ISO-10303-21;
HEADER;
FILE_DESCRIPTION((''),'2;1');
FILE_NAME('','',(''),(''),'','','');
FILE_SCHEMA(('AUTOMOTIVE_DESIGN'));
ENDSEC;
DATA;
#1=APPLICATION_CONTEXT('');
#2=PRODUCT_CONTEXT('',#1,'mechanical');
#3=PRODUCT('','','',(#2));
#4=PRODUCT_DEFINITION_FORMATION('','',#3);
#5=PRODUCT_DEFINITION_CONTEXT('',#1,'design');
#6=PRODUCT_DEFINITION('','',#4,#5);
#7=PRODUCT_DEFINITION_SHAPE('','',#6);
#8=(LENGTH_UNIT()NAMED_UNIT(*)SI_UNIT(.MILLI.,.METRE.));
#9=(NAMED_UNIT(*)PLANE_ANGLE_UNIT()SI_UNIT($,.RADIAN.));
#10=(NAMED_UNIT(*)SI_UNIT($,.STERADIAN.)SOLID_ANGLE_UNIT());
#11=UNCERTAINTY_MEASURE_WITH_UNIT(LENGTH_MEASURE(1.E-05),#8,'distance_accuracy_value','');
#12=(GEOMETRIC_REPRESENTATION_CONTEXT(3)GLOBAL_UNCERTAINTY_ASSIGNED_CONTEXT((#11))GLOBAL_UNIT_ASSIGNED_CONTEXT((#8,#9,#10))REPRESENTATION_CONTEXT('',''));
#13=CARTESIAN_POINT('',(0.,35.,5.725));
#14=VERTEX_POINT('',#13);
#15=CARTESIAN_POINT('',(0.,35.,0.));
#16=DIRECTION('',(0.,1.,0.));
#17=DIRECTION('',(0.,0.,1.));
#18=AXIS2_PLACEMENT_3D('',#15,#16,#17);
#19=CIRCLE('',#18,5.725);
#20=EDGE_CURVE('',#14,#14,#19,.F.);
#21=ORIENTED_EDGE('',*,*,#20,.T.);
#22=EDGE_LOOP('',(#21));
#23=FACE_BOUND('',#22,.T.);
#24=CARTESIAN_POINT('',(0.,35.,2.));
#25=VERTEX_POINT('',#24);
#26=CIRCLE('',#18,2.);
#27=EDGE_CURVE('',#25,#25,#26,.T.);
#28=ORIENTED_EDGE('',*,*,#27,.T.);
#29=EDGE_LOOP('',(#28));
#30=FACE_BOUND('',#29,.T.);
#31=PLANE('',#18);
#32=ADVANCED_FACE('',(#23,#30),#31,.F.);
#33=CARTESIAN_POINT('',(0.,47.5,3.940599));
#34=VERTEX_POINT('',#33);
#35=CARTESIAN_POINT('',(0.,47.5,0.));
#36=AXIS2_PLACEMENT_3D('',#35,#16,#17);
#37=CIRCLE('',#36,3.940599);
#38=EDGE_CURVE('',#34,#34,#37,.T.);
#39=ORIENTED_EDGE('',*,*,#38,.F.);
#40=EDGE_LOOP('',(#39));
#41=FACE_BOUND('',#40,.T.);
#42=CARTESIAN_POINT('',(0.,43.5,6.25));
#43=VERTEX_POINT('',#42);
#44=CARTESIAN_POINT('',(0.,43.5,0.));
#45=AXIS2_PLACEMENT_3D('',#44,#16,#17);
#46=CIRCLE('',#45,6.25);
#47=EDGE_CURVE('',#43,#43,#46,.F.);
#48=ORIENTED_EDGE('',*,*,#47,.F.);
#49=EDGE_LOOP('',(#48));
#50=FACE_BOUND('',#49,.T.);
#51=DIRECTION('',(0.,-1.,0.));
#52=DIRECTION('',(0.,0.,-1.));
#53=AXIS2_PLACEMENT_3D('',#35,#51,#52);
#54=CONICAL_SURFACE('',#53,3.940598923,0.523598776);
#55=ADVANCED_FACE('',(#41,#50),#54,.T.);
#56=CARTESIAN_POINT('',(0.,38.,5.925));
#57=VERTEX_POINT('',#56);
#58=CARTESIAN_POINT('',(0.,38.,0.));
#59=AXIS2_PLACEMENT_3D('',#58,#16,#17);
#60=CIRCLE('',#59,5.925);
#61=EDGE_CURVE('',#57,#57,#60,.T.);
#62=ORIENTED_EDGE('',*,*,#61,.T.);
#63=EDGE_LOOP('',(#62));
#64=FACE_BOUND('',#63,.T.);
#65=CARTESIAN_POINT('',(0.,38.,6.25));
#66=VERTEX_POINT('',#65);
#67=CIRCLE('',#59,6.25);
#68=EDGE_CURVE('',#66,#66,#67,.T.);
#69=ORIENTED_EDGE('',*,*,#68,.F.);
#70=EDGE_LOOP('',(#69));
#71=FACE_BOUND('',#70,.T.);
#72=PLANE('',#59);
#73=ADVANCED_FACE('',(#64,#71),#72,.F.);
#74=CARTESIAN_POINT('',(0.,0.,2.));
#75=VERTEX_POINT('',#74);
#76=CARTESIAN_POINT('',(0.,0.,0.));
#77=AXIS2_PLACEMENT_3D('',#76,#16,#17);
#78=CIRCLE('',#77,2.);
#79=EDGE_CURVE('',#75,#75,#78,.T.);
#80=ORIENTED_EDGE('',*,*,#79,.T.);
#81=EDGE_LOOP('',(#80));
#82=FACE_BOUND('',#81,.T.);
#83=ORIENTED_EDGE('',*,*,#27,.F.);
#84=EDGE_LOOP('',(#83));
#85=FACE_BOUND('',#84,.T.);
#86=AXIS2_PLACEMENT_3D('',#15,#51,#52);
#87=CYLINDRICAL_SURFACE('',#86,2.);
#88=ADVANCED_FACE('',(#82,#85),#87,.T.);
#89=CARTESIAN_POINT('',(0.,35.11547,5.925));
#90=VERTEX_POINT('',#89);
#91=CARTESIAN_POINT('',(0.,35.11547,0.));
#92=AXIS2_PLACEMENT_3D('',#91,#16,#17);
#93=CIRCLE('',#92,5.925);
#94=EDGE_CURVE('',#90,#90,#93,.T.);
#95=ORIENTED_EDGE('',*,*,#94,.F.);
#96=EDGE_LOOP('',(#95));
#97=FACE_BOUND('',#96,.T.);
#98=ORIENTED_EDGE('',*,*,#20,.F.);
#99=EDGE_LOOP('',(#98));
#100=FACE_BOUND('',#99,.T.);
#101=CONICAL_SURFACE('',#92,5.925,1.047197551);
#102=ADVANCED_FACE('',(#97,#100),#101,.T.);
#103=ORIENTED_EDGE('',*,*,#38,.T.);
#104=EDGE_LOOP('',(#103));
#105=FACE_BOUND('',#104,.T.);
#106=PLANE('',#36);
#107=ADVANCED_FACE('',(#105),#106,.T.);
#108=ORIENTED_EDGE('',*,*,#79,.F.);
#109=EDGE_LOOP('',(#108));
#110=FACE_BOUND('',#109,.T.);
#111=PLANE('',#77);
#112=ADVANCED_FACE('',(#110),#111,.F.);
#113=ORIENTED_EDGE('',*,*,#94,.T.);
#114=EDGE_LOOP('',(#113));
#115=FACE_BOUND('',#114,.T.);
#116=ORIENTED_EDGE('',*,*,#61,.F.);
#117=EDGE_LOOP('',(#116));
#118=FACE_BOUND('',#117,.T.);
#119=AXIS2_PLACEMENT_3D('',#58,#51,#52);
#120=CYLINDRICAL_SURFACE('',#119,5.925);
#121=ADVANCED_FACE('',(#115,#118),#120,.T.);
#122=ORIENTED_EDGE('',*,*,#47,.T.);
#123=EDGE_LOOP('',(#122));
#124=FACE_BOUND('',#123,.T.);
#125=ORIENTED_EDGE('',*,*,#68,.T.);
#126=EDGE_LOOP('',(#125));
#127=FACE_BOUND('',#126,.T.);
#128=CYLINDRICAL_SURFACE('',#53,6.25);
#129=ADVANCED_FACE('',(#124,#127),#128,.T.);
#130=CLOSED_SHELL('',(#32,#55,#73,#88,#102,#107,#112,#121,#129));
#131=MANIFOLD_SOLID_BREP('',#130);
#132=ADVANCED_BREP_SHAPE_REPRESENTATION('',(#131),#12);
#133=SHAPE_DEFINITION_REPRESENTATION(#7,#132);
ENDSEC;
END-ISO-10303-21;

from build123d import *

# Parameters (mm, degrees)
SKETCH_1_R      = 2
EXTRUDE_1_DEPTH = 35
SKETCH_2_R      = 5.925
EXTRUDE_2_DEPTH = 3
SKETCH_3_R      = 6.25
EXTRUDE_3_DEPTH = 9.5
CHAMFER_1_SIZE  = 4
CHAMFER_1_SIZE2 = 2.309401077
CHAMFER_2_SIZE  = 0.2
CHAMFER_2_SIZE2 = 0.115470054


with BuildPart() as part:
    # 草图1 → 凸台-拉伸1 (new body)
    with BuildSketch(Plane(origin=(0, 0, 0), x_dir=(1, 0, 0), z_dir=(0, 1, 0))):
        with Locations(Location((0, 0, 0), (0, 0, 270))):
            Circle(SKETCH_1_R)
    extrude(amount=EXTRUDE_1_DEPTH)

    # 草图2 → 凸台-拉伸2 (add)
    with BuildSketch(Plane(origin=(0, 35, 0), x_dir=(1, 0, 0), z_dir=(0, 1, 0))):
        with Locations(Location((0, 0, 0), (0, 0, 270))):
            Circle(SKETCH_2_R)
    extrude(amount=EXTRUDE_2_DEPTH)

    # 草图3 → 凸台-拉伸3 (add)
    with BuildSketch(Plane(origin=(0, 38, 0), x_dir=(1, 0, 0), z_dir=(0, 1, 0))):
        with Locations(Location((0, 0, 0), (0, 0, 270))):
            Circle(SKETCH_3_R)
    extrude(amount=EXTRUDE_3_DEPTH)

    # 倒角1
    chamfer_1_edges = [part.edges().sort_by_distance(p)[0] for p in [
        (0, 47.5, -6.25),
    ]]
    chamfer_1_side = [part.faces().sort_by_distance(p)[0] for p in [
        (0, 42.75, -6.25),
    ]]
    chamfer(chamfer_1_edges, length=CHAMFER_1_SIZE, length2=CHAMFER_1_SIZE2, reference=chamfer_1_side[0])

    # 倒角2
    chamfer_2_edges = [part.edges().sort_by_distance(p)[0] for p in [
        (0, 35, -5.925),
    ]]
    chamfer_2_side = [part.faces().sort_by_distance(p)[0] for p in [
        (0, 35, -5.757415693),
    ]]
    chamfer(chamfer_2_edges, length=CHAMFER_2_SIZE, length2=CHAMFER_2_SIZE2, reference=chamfer_2_side[0])


solid = part.part
